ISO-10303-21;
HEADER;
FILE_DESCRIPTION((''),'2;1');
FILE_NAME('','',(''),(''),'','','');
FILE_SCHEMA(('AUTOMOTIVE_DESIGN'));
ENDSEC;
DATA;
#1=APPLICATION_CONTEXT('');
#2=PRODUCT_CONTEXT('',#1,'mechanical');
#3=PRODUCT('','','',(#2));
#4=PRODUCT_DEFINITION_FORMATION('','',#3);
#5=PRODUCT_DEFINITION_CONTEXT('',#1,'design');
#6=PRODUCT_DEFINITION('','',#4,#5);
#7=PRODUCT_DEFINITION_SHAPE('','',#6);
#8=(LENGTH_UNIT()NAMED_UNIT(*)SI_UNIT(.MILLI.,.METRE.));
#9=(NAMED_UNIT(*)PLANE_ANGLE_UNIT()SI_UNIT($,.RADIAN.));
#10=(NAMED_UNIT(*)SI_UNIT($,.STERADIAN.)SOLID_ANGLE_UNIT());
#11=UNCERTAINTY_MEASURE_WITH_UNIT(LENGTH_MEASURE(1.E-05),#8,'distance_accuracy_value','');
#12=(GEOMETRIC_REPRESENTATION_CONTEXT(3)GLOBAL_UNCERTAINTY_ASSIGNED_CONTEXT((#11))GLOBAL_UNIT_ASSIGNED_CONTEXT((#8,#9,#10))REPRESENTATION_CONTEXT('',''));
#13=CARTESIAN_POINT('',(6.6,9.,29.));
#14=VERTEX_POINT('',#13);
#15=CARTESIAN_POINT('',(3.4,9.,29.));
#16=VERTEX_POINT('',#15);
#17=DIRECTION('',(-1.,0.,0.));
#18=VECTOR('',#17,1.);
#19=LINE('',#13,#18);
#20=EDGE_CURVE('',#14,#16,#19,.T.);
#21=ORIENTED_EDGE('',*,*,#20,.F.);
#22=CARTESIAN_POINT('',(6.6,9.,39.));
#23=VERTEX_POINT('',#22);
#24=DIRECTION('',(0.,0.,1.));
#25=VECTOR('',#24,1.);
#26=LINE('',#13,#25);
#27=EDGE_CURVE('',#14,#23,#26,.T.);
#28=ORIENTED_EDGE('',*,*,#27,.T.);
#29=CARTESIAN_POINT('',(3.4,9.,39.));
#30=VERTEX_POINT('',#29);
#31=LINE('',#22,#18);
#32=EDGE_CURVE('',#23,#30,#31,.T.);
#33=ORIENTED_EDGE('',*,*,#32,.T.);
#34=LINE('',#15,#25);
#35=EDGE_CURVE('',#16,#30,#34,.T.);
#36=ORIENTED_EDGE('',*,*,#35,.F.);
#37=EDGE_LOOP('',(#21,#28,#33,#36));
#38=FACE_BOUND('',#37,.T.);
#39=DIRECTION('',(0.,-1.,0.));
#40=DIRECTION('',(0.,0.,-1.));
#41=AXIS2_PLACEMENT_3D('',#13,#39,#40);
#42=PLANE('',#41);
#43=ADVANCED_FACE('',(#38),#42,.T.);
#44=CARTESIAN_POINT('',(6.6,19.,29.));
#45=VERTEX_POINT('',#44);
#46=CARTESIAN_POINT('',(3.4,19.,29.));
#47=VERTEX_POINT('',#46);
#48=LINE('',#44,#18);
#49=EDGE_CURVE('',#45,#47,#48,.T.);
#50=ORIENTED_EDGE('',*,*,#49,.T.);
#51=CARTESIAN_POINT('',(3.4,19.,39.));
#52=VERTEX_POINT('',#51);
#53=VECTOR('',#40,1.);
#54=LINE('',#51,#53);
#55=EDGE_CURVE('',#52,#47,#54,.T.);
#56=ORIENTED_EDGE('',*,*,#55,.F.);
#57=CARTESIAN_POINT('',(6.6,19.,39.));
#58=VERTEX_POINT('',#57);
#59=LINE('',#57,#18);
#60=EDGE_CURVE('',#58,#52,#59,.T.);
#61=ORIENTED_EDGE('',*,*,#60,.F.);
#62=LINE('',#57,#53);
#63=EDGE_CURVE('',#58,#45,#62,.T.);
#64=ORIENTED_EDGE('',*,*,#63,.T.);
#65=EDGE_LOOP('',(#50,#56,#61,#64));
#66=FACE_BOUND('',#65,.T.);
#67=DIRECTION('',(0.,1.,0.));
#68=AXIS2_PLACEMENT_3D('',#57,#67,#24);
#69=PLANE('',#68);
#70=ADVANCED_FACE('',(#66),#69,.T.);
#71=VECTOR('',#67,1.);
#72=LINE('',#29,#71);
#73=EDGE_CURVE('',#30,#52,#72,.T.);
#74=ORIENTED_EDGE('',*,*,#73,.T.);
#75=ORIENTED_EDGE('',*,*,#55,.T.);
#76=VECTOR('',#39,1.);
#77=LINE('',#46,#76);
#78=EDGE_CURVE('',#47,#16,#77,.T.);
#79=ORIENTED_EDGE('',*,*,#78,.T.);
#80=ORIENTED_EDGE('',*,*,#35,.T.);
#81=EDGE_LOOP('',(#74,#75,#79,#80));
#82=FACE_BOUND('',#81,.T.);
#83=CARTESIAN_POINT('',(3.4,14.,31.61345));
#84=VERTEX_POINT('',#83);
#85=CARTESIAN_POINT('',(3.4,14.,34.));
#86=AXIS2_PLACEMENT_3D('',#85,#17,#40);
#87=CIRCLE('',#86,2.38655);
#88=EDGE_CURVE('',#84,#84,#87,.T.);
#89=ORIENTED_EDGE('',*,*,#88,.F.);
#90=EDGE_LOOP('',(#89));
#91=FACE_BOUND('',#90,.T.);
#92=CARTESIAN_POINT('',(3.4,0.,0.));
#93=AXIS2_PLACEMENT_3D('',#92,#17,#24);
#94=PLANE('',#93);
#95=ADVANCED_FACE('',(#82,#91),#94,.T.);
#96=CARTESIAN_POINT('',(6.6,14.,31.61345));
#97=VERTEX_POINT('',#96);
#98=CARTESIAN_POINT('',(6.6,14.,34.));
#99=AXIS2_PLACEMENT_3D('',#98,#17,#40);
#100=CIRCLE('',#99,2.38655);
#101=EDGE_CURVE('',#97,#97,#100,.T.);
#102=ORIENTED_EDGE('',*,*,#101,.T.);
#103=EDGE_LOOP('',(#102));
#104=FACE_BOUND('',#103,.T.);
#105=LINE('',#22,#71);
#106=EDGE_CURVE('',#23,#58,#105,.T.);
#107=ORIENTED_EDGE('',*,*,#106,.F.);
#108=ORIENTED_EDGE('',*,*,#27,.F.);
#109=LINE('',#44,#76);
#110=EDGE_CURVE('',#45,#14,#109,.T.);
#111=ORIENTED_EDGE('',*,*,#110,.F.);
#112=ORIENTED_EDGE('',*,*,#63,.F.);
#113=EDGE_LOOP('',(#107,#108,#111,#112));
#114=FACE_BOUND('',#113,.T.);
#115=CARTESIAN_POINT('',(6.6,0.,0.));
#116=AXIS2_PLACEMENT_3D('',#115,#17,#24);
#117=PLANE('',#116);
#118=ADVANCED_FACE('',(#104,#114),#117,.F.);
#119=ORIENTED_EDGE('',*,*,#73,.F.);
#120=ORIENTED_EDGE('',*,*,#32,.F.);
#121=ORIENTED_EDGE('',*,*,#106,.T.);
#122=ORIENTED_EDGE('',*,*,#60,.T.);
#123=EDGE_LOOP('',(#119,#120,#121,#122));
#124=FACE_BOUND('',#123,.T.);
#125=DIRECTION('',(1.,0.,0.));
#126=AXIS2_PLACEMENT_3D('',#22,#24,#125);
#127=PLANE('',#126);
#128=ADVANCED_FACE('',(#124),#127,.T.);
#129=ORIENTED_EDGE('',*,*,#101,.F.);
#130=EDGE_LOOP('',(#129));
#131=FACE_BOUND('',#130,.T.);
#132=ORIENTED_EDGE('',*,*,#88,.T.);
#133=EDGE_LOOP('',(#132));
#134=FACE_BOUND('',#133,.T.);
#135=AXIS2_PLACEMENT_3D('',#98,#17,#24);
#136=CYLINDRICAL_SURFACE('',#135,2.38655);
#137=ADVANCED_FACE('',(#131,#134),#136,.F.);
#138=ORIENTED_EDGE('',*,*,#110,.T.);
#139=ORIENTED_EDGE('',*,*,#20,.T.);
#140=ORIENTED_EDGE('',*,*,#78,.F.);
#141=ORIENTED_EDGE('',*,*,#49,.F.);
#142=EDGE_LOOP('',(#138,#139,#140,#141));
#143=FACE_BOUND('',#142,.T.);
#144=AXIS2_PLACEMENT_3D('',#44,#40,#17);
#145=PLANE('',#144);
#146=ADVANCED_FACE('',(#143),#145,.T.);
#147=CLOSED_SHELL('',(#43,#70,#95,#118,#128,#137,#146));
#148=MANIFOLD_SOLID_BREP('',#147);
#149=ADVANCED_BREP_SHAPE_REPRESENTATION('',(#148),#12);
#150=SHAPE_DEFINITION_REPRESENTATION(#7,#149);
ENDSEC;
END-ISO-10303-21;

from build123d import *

# Parameters (mm, degrees)
SKETCH1_W           = 10
SKETCH1_H           = 10
SKETCH1_R           = 2.38655
BOSS_EXTRUDE1_DEPTH = 3.2


with BuildPart() as part:
    # Sketch1 → Boss-Extrude1 (new body)
    with BuildSketch(Plane(origin=(3.4, 0, 0), x_dir=(0, -1, 0), z_dir=(-1, 0, 0))):
        with Locations((-14, 34)):
            Rectangle(SKETCH1_W, SKETCH1_H)
        with Locations((-14, 34)):
            Circle(SKETCH1_R, mode=Mode.SUBTRACT)
    extrude(amount=-BOSS_EXTRUDE1_DEPTH)


solid = part.part
